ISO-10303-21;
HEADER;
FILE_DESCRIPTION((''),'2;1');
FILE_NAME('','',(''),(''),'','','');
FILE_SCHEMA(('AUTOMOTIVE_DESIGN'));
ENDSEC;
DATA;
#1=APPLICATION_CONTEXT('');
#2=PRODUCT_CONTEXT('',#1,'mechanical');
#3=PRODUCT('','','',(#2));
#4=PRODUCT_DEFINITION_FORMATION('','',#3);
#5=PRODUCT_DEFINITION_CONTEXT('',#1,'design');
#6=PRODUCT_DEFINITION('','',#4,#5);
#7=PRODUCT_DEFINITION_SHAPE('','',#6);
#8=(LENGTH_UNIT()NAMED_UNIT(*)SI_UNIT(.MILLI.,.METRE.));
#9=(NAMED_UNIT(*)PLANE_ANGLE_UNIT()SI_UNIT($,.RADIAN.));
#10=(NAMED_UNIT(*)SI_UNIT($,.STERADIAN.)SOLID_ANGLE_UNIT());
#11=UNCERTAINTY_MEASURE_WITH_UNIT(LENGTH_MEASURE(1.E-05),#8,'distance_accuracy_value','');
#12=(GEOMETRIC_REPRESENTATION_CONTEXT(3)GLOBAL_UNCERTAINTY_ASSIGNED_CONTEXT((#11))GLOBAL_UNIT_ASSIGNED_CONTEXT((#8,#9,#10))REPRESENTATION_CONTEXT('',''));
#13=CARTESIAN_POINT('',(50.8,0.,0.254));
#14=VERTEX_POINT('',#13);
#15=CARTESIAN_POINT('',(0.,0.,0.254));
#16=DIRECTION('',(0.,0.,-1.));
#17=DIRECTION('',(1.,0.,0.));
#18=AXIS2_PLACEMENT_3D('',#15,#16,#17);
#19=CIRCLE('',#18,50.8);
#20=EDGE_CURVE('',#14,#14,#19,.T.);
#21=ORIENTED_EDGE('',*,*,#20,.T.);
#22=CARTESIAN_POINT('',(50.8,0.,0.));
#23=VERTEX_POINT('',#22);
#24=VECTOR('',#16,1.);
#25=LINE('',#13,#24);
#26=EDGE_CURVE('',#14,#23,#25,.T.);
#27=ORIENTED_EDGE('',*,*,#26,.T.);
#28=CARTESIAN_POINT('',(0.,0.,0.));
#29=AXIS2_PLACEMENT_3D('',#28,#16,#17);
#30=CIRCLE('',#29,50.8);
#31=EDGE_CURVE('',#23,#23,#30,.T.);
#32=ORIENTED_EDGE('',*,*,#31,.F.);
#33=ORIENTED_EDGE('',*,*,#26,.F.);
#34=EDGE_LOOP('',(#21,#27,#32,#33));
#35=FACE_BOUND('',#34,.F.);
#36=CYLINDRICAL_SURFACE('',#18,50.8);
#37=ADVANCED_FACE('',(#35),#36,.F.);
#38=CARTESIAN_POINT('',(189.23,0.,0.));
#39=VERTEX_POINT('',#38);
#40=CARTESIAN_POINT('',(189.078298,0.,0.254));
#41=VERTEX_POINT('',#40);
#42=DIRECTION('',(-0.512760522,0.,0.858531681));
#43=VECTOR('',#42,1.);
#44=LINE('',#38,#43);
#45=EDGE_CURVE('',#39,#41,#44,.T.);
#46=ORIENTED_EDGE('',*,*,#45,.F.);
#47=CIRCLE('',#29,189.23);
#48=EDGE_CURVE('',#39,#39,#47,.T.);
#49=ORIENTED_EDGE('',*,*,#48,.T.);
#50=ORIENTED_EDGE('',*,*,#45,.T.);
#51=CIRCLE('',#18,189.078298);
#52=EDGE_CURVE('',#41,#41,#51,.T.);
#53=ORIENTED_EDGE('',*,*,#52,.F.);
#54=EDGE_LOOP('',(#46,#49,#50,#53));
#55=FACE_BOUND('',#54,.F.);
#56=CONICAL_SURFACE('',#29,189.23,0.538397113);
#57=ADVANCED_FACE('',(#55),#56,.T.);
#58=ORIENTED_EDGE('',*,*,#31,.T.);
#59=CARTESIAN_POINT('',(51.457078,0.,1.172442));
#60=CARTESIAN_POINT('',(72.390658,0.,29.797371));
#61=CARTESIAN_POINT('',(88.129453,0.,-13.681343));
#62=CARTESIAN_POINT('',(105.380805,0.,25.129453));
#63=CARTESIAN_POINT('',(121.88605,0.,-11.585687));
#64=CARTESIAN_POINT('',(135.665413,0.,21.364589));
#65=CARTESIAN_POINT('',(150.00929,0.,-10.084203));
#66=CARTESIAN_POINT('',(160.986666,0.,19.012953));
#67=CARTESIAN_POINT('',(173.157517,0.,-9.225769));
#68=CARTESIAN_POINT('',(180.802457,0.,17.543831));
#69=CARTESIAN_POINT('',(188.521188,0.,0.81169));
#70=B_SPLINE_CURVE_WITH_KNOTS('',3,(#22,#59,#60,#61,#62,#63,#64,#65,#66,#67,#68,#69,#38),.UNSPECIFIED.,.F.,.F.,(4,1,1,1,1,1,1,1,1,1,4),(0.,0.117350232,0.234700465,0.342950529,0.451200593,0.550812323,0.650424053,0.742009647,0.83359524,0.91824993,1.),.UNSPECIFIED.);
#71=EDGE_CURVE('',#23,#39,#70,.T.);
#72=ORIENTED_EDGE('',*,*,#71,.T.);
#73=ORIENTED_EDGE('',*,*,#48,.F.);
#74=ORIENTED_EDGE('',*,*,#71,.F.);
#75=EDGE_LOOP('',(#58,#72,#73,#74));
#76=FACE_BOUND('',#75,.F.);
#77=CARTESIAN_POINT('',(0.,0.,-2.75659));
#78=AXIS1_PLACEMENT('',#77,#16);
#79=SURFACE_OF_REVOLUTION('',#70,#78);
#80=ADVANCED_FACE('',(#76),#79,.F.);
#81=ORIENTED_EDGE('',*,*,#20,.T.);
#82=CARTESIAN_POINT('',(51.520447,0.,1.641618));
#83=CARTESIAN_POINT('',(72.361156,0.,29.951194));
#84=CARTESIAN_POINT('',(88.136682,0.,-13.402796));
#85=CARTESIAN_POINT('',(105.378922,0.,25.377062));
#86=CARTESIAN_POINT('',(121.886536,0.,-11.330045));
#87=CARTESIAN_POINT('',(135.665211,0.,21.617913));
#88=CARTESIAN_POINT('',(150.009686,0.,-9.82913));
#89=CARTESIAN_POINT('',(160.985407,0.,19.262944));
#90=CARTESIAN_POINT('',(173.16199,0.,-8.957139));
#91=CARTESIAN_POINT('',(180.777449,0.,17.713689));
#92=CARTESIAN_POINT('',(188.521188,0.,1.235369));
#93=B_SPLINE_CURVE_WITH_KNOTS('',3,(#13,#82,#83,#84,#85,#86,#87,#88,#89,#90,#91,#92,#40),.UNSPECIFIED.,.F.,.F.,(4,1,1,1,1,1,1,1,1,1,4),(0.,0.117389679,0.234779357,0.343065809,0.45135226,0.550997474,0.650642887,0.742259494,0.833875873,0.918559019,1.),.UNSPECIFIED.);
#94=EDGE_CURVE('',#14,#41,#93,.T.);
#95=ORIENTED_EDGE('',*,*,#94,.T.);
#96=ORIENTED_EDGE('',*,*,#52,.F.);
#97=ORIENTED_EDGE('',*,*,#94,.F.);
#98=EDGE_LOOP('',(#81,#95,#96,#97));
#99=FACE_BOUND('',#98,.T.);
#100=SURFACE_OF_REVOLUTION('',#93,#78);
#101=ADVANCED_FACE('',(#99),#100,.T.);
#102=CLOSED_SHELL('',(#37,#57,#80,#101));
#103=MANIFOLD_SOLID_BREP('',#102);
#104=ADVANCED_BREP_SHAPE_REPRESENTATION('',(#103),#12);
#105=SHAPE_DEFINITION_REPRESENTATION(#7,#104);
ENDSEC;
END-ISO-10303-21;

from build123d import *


with BuildPart() as f1:
    # F0 (on Front) → F1 (revolve)
    with BuildSketch(Plane.XZ):
        with BuildLine():
            Line((50.8, 0.254), (50.8, 0))
            add(Edge.make_bspline(
                [(50.8, 0), (51.457078115, 1.1724419804), (72.3906576888, 29.7973712651), (88.1294530805, -13.6813431133), (105.3808048097, 25.1294534772), (121.8860504462, -11.5856865639), (135.6654132891, 21.3645890202), (150.0092897734, -10.084202548), (160.9866659436, 19.01295254), (173.1575170359, -9.2257689377), (180.8024572719, 17.5438314026), (188.5211879981, 0.8116896541), (189.23, 0)],
                knots=[0, 0, 0, 0, 0.1173502325, 0.234700465, 0.3429505291, 0.4512005933, 0.5508123232, 0.650424053, 0.7420096465, 0.83359524, 0.9182499298, 1, 1, 1, 1], degree=3))
            Line((189.23, 0), (189.0782977677, 0.254))
            add(Edge.make_bspline(
                [(50.8, 0.254), (51.5204468445, 1.6416180916), (72.3611557072, 29.9511939079), (88.1366822631, -13.4027960831), (105.3789220684, 25.3770621868), (121.8865358887, -11.330044631), (135.6652105014, 21.6179133868), (150.0096862379, -9.8291295901), (160.9854069794, 19.2629437154), (173.1619895914, -8.9571391032), (180.7774493882, 17.7136889349), (188.5211879981, 1.2353691188), (189.0782977677, 0.254)],
                knots=[0, 0, 0, 0, 0.1173896787, 0.2347793574, 0.3430658088, 0.4513522602, 0.5509974737, 0.6506428866, 0.7422594942, 0.8338758734, 0.9185590191, 1, 1, 1, 1], degree=3))
        make_face()
    revolve(axis=Axis((0, 0, -2.7565898238), (0, 0, -1)))


solid = f1.part
